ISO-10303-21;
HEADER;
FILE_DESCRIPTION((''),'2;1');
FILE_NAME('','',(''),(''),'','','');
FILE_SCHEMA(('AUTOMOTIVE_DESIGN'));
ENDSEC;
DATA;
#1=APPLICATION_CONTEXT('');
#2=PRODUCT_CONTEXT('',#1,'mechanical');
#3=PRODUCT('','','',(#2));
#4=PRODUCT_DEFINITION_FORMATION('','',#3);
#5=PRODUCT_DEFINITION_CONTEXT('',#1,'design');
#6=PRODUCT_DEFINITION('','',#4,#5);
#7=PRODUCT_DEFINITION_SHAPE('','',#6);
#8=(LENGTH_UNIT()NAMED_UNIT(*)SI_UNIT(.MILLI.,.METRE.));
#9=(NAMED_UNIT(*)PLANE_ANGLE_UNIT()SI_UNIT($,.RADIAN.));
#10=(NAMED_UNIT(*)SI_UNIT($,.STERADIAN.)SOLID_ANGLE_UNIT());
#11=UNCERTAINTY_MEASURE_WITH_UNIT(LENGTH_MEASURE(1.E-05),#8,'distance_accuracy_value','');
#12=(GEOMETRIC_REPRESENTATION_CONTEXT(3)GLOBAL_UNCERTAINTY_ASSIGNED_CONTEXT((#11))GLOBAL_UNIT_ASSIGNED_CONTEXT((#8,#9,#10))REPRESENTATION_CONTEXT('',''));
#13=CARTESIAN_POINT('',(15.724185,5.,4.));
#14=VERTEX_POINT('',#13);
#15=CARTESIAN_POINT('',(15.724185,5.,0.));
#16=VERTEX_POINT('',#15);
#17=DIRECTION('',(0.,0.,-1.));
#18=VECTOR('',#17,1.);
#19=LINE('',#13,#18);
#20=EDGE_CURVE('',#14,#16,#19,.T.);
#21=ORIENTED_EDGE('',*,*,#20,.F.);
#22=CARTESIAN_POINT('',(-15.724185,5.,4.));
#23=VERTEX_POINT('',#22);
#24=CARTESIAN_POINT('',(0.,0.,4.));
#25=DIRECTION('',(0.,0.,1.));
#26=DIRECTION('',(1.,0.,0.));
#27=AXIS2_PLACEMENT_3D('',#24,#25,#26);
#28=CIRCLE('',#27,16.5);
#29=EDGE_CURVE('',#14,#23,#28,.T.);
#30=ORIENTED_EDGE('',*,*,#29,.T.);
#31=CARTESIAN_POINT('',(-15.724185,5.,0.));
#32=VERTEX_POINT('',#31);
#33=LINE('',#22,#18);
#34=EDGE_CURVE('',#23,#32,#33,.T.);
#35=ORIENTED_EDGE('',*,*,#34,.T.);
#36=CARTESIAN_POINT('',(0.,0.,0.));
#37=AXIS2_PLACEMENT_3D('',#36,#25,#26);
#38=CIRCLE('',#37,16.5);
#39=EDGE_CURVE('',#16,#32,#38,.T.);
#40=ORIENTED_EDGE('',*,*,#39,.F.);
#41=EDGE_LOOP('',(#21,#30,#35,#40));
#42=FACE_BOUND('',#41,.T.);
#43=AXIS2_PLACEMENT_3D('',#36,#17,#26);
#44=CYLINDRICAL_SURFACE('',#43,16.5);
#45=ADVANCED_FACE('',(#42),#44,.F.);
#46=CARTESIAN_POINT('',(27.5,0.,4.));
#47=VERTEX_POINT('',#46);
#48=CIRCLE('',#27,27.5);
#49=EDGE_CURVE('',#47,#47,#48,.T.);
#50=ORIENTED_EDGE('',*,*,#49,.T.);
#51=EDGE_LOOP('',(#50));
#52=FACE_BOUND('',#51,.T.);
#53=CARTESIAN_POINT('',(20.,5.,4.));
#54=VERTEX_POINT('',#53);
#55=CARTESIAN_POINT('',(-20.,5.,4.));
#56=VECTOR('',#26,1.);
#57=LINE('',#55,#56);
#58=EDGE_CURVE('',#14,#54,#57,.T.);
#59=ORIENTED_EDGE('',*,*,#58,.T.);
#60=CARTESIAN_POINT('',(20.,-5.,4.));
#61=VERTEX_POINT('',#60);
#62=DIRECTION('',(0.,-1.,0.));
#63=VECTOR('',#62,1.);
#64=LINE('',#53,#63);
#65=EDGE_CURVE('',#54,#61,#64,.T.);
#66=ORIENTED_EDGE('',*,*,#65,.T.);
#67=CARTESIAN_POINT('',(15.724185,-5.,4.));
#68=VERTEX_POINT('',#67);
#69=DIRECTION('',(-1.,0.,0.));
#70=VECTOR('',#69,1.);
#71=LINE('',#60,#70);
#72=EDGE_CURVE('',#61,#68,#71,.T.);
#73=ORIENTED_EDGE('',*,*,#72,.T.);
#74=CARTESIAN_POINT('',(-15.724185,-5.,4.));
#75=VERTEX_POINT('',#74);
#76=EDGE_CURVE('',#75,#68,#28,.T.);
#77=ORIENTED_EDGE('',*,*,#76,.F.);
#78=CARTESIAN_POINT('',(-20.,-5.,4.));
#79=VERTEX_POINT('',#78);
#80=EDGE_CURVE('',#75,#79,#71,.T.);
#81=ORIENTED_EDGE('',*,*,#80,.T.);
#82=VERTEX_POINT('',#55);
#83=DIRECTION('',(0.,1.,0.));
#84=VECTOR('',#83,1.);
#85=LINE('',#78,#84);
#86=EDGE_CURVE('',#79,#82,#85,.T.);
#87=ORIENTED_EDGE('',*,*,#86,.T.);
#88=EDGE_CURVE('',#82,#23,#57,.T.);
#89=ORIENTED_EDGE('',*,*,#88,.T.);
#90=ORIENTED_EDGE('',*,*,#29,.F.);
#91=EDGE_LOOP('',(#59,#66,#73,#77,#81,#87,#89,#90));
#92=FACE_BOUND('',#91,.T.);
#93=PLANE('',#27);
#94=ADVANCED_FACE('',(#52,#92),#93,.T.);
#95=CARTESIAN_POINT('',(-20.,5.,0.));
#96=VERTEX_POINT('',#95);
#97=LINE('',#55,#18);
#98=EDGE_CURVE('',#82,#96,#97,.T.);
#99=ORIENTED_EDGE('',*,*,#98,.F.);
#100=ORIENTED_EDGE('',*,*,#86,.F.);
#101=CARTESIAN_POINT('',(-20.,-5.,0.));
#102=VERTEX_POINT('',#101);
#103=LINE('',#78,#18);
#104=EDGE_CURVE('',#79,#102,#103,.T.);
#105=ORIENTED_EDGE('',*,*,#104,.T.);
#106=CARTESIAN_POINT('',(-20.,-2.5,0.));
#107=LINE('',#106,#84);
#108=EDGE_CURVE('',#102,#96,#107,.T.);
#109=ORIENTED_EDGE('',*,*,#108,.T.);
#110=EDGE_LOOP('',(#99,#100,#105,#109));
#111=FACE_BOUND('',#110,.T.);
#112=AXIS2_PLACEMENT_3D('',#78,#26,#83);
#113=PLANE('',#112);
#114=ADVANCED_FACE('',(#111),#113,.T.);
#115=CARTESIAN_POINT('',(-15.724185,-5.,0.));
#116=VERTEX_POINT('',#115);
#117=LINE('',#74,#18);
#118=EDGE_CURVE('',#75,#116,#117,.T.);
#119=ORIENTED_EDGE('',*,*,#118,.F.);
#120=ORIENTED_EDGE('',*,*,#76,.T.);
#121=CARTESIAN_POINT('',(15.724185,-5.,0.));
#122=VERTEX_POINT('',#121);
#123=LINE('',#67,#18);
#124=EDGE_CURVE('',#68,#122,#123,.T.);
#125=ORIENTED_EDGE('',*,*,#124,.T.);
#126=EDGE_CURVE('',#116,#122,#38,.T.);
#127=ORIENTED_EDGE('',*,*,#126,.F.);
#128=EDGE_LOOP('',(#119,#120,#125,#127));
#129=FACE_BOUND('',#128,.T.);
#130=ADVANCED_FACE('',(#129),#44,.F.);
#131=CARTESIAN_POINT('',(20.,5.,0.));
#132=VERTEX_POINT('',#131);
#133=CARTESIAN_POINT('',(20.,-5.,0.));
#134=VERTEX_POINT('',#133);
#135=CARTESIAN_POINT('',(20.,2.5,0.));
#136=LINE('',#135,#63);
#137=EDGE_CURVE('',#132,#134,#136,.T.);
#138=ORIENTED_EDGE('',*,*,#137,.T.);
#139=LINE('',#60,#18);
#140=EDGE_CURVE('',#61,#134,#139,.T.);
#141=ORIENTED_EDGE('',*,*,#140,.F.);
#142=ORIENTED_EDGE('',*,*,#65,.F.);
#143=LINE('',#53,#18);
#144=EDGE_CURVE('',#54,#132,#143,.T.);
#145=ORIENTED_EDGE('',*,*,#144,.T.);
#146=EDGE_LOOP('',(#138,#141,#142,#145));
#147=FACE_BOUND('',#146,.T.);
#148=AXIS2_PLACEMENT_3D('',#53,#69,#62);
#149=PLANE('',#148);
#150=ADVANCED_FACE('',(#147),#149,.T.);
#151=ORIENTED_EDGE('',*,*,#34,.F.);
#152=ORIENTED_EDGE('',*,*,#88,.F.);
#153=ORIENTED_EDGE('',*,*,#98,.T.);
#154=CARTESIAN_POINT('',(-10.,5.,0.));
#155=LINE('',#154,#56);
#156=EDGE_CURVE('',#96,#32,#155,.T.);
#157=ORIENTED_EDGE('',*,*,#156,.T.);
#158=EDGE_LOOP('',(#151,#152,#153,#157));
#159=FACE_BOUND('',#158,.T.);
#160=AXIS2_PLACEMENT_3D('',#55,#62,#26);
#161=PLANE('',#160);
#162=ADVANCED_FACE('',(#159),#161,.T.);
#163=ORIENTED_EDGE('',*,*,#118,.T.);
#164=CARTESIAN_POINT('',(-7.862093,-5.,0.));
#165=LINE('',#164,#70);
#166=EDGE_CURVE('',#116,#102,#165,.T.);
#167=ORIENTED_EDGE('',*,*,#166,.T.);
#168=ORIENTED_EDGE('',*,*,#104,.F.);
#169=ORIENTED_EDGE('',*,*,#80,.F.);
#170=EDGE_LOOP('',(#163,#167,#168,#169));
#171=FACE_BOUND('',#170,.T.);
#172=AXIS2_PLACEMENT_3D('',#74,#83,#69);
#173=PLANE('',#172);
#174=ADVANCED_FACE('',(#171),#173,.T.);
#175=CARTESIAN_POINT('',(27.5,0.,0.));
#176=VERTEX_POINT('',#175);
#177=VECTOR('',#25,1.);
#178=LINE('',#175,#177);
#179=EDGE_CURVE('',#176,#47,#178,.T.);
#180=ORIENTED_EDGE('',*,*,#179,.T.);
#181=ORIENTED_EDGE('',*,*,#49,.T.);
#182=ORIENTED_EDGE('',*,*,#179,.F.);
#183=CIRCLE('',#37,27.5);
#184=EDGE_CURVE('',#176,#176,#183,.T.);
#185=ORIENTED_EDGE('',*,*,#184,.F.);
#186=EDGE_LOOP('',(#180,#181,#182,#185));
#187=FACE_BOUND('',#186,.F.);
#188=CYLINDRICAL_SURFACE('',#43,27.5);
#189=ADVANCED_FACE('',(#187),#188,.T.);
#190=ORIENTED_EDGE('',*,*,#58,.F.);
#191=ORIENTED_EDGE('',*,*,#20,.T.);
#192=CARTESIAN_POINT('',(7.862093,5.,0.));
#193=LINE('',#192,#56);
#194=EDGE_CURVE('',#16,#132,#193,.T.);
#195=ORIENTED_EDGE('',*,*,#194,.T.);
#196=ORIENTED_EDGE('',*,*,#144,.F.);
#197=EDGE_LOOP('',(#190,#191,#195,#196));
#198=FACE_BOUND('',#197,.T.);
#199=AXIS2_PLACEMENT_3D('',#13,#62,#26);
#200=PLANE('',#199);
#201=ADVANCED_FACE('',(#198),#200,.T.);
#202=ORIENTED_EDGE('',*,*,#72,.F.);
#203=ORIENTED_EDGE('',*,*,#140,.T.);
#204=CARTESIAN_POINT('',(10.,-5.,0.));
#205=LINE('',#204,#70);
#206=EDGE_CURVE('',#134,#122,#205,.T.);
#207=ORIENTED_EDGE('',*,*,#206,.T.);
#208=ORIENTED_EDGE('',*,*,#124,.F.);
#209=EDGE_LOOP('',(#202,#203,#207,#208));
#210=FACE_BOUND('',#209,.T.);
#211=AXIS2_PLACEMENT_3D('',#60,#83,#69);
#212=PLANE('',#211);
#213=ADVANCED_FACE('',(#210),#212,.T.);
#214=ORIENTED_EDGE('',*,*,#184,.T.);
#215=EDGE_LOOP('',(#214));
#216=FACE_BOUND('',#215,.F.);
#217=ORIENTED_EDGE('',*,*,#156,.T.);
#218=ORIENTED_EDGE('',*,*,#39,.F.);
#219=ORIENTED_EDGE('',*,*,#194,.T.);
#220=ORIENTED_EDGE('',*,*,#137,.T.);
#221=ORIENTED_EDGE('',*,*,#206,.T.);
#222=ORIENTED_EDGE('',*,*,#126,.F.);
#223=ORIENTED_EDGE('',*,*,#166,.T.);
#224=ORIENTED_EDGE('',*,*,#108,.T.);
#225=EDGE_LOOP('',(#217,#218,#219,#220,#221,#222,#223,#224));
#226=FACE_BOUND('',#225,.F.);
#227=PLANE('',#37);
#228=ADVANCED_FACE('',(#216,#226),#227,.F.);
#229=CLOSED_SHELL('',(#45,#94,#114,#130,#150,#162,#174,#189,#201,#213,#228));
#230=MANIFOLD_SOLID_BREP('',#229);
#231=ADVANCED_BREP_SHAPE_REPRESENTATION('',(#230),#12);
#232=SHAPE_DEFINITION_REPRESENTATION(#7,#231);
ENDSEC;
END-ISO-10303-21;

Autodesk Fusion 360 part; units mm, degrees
sketch "Sketch1" plane through (0, 0, 0) normal (0, 0, 1) x (1, 0, 0)
  circle A0 centre (0, 0) radius 27.5
  circle A1 centre (0, 0) radius 16.5
  dimension "d1" = 55
  dimension "d2" = 33
extrude "Extrude1" add sketch "Sketch1" along normal blind 4
sketch "Sketch2" plane through (0, 0, 4) normal (0, 0, 1) x (-1, 0, 0)
  circle A0 centre (0, 0) radius 16.5
  circle A1 centre (0, 0) radius 27.5
  line L0 (20, -5) -> (-20, -5)
  line L1 (-20, -5) -> (-20, 5)
  line L2 (-20, 5) -> (20, 5)
  line L3 (20, 5) -> (20, -5)
extrude "Extrude2" cut sketch "Sketch2" against normal blind 15 contours A0 L0 L2 L3 | A0 L0 L1 L2
